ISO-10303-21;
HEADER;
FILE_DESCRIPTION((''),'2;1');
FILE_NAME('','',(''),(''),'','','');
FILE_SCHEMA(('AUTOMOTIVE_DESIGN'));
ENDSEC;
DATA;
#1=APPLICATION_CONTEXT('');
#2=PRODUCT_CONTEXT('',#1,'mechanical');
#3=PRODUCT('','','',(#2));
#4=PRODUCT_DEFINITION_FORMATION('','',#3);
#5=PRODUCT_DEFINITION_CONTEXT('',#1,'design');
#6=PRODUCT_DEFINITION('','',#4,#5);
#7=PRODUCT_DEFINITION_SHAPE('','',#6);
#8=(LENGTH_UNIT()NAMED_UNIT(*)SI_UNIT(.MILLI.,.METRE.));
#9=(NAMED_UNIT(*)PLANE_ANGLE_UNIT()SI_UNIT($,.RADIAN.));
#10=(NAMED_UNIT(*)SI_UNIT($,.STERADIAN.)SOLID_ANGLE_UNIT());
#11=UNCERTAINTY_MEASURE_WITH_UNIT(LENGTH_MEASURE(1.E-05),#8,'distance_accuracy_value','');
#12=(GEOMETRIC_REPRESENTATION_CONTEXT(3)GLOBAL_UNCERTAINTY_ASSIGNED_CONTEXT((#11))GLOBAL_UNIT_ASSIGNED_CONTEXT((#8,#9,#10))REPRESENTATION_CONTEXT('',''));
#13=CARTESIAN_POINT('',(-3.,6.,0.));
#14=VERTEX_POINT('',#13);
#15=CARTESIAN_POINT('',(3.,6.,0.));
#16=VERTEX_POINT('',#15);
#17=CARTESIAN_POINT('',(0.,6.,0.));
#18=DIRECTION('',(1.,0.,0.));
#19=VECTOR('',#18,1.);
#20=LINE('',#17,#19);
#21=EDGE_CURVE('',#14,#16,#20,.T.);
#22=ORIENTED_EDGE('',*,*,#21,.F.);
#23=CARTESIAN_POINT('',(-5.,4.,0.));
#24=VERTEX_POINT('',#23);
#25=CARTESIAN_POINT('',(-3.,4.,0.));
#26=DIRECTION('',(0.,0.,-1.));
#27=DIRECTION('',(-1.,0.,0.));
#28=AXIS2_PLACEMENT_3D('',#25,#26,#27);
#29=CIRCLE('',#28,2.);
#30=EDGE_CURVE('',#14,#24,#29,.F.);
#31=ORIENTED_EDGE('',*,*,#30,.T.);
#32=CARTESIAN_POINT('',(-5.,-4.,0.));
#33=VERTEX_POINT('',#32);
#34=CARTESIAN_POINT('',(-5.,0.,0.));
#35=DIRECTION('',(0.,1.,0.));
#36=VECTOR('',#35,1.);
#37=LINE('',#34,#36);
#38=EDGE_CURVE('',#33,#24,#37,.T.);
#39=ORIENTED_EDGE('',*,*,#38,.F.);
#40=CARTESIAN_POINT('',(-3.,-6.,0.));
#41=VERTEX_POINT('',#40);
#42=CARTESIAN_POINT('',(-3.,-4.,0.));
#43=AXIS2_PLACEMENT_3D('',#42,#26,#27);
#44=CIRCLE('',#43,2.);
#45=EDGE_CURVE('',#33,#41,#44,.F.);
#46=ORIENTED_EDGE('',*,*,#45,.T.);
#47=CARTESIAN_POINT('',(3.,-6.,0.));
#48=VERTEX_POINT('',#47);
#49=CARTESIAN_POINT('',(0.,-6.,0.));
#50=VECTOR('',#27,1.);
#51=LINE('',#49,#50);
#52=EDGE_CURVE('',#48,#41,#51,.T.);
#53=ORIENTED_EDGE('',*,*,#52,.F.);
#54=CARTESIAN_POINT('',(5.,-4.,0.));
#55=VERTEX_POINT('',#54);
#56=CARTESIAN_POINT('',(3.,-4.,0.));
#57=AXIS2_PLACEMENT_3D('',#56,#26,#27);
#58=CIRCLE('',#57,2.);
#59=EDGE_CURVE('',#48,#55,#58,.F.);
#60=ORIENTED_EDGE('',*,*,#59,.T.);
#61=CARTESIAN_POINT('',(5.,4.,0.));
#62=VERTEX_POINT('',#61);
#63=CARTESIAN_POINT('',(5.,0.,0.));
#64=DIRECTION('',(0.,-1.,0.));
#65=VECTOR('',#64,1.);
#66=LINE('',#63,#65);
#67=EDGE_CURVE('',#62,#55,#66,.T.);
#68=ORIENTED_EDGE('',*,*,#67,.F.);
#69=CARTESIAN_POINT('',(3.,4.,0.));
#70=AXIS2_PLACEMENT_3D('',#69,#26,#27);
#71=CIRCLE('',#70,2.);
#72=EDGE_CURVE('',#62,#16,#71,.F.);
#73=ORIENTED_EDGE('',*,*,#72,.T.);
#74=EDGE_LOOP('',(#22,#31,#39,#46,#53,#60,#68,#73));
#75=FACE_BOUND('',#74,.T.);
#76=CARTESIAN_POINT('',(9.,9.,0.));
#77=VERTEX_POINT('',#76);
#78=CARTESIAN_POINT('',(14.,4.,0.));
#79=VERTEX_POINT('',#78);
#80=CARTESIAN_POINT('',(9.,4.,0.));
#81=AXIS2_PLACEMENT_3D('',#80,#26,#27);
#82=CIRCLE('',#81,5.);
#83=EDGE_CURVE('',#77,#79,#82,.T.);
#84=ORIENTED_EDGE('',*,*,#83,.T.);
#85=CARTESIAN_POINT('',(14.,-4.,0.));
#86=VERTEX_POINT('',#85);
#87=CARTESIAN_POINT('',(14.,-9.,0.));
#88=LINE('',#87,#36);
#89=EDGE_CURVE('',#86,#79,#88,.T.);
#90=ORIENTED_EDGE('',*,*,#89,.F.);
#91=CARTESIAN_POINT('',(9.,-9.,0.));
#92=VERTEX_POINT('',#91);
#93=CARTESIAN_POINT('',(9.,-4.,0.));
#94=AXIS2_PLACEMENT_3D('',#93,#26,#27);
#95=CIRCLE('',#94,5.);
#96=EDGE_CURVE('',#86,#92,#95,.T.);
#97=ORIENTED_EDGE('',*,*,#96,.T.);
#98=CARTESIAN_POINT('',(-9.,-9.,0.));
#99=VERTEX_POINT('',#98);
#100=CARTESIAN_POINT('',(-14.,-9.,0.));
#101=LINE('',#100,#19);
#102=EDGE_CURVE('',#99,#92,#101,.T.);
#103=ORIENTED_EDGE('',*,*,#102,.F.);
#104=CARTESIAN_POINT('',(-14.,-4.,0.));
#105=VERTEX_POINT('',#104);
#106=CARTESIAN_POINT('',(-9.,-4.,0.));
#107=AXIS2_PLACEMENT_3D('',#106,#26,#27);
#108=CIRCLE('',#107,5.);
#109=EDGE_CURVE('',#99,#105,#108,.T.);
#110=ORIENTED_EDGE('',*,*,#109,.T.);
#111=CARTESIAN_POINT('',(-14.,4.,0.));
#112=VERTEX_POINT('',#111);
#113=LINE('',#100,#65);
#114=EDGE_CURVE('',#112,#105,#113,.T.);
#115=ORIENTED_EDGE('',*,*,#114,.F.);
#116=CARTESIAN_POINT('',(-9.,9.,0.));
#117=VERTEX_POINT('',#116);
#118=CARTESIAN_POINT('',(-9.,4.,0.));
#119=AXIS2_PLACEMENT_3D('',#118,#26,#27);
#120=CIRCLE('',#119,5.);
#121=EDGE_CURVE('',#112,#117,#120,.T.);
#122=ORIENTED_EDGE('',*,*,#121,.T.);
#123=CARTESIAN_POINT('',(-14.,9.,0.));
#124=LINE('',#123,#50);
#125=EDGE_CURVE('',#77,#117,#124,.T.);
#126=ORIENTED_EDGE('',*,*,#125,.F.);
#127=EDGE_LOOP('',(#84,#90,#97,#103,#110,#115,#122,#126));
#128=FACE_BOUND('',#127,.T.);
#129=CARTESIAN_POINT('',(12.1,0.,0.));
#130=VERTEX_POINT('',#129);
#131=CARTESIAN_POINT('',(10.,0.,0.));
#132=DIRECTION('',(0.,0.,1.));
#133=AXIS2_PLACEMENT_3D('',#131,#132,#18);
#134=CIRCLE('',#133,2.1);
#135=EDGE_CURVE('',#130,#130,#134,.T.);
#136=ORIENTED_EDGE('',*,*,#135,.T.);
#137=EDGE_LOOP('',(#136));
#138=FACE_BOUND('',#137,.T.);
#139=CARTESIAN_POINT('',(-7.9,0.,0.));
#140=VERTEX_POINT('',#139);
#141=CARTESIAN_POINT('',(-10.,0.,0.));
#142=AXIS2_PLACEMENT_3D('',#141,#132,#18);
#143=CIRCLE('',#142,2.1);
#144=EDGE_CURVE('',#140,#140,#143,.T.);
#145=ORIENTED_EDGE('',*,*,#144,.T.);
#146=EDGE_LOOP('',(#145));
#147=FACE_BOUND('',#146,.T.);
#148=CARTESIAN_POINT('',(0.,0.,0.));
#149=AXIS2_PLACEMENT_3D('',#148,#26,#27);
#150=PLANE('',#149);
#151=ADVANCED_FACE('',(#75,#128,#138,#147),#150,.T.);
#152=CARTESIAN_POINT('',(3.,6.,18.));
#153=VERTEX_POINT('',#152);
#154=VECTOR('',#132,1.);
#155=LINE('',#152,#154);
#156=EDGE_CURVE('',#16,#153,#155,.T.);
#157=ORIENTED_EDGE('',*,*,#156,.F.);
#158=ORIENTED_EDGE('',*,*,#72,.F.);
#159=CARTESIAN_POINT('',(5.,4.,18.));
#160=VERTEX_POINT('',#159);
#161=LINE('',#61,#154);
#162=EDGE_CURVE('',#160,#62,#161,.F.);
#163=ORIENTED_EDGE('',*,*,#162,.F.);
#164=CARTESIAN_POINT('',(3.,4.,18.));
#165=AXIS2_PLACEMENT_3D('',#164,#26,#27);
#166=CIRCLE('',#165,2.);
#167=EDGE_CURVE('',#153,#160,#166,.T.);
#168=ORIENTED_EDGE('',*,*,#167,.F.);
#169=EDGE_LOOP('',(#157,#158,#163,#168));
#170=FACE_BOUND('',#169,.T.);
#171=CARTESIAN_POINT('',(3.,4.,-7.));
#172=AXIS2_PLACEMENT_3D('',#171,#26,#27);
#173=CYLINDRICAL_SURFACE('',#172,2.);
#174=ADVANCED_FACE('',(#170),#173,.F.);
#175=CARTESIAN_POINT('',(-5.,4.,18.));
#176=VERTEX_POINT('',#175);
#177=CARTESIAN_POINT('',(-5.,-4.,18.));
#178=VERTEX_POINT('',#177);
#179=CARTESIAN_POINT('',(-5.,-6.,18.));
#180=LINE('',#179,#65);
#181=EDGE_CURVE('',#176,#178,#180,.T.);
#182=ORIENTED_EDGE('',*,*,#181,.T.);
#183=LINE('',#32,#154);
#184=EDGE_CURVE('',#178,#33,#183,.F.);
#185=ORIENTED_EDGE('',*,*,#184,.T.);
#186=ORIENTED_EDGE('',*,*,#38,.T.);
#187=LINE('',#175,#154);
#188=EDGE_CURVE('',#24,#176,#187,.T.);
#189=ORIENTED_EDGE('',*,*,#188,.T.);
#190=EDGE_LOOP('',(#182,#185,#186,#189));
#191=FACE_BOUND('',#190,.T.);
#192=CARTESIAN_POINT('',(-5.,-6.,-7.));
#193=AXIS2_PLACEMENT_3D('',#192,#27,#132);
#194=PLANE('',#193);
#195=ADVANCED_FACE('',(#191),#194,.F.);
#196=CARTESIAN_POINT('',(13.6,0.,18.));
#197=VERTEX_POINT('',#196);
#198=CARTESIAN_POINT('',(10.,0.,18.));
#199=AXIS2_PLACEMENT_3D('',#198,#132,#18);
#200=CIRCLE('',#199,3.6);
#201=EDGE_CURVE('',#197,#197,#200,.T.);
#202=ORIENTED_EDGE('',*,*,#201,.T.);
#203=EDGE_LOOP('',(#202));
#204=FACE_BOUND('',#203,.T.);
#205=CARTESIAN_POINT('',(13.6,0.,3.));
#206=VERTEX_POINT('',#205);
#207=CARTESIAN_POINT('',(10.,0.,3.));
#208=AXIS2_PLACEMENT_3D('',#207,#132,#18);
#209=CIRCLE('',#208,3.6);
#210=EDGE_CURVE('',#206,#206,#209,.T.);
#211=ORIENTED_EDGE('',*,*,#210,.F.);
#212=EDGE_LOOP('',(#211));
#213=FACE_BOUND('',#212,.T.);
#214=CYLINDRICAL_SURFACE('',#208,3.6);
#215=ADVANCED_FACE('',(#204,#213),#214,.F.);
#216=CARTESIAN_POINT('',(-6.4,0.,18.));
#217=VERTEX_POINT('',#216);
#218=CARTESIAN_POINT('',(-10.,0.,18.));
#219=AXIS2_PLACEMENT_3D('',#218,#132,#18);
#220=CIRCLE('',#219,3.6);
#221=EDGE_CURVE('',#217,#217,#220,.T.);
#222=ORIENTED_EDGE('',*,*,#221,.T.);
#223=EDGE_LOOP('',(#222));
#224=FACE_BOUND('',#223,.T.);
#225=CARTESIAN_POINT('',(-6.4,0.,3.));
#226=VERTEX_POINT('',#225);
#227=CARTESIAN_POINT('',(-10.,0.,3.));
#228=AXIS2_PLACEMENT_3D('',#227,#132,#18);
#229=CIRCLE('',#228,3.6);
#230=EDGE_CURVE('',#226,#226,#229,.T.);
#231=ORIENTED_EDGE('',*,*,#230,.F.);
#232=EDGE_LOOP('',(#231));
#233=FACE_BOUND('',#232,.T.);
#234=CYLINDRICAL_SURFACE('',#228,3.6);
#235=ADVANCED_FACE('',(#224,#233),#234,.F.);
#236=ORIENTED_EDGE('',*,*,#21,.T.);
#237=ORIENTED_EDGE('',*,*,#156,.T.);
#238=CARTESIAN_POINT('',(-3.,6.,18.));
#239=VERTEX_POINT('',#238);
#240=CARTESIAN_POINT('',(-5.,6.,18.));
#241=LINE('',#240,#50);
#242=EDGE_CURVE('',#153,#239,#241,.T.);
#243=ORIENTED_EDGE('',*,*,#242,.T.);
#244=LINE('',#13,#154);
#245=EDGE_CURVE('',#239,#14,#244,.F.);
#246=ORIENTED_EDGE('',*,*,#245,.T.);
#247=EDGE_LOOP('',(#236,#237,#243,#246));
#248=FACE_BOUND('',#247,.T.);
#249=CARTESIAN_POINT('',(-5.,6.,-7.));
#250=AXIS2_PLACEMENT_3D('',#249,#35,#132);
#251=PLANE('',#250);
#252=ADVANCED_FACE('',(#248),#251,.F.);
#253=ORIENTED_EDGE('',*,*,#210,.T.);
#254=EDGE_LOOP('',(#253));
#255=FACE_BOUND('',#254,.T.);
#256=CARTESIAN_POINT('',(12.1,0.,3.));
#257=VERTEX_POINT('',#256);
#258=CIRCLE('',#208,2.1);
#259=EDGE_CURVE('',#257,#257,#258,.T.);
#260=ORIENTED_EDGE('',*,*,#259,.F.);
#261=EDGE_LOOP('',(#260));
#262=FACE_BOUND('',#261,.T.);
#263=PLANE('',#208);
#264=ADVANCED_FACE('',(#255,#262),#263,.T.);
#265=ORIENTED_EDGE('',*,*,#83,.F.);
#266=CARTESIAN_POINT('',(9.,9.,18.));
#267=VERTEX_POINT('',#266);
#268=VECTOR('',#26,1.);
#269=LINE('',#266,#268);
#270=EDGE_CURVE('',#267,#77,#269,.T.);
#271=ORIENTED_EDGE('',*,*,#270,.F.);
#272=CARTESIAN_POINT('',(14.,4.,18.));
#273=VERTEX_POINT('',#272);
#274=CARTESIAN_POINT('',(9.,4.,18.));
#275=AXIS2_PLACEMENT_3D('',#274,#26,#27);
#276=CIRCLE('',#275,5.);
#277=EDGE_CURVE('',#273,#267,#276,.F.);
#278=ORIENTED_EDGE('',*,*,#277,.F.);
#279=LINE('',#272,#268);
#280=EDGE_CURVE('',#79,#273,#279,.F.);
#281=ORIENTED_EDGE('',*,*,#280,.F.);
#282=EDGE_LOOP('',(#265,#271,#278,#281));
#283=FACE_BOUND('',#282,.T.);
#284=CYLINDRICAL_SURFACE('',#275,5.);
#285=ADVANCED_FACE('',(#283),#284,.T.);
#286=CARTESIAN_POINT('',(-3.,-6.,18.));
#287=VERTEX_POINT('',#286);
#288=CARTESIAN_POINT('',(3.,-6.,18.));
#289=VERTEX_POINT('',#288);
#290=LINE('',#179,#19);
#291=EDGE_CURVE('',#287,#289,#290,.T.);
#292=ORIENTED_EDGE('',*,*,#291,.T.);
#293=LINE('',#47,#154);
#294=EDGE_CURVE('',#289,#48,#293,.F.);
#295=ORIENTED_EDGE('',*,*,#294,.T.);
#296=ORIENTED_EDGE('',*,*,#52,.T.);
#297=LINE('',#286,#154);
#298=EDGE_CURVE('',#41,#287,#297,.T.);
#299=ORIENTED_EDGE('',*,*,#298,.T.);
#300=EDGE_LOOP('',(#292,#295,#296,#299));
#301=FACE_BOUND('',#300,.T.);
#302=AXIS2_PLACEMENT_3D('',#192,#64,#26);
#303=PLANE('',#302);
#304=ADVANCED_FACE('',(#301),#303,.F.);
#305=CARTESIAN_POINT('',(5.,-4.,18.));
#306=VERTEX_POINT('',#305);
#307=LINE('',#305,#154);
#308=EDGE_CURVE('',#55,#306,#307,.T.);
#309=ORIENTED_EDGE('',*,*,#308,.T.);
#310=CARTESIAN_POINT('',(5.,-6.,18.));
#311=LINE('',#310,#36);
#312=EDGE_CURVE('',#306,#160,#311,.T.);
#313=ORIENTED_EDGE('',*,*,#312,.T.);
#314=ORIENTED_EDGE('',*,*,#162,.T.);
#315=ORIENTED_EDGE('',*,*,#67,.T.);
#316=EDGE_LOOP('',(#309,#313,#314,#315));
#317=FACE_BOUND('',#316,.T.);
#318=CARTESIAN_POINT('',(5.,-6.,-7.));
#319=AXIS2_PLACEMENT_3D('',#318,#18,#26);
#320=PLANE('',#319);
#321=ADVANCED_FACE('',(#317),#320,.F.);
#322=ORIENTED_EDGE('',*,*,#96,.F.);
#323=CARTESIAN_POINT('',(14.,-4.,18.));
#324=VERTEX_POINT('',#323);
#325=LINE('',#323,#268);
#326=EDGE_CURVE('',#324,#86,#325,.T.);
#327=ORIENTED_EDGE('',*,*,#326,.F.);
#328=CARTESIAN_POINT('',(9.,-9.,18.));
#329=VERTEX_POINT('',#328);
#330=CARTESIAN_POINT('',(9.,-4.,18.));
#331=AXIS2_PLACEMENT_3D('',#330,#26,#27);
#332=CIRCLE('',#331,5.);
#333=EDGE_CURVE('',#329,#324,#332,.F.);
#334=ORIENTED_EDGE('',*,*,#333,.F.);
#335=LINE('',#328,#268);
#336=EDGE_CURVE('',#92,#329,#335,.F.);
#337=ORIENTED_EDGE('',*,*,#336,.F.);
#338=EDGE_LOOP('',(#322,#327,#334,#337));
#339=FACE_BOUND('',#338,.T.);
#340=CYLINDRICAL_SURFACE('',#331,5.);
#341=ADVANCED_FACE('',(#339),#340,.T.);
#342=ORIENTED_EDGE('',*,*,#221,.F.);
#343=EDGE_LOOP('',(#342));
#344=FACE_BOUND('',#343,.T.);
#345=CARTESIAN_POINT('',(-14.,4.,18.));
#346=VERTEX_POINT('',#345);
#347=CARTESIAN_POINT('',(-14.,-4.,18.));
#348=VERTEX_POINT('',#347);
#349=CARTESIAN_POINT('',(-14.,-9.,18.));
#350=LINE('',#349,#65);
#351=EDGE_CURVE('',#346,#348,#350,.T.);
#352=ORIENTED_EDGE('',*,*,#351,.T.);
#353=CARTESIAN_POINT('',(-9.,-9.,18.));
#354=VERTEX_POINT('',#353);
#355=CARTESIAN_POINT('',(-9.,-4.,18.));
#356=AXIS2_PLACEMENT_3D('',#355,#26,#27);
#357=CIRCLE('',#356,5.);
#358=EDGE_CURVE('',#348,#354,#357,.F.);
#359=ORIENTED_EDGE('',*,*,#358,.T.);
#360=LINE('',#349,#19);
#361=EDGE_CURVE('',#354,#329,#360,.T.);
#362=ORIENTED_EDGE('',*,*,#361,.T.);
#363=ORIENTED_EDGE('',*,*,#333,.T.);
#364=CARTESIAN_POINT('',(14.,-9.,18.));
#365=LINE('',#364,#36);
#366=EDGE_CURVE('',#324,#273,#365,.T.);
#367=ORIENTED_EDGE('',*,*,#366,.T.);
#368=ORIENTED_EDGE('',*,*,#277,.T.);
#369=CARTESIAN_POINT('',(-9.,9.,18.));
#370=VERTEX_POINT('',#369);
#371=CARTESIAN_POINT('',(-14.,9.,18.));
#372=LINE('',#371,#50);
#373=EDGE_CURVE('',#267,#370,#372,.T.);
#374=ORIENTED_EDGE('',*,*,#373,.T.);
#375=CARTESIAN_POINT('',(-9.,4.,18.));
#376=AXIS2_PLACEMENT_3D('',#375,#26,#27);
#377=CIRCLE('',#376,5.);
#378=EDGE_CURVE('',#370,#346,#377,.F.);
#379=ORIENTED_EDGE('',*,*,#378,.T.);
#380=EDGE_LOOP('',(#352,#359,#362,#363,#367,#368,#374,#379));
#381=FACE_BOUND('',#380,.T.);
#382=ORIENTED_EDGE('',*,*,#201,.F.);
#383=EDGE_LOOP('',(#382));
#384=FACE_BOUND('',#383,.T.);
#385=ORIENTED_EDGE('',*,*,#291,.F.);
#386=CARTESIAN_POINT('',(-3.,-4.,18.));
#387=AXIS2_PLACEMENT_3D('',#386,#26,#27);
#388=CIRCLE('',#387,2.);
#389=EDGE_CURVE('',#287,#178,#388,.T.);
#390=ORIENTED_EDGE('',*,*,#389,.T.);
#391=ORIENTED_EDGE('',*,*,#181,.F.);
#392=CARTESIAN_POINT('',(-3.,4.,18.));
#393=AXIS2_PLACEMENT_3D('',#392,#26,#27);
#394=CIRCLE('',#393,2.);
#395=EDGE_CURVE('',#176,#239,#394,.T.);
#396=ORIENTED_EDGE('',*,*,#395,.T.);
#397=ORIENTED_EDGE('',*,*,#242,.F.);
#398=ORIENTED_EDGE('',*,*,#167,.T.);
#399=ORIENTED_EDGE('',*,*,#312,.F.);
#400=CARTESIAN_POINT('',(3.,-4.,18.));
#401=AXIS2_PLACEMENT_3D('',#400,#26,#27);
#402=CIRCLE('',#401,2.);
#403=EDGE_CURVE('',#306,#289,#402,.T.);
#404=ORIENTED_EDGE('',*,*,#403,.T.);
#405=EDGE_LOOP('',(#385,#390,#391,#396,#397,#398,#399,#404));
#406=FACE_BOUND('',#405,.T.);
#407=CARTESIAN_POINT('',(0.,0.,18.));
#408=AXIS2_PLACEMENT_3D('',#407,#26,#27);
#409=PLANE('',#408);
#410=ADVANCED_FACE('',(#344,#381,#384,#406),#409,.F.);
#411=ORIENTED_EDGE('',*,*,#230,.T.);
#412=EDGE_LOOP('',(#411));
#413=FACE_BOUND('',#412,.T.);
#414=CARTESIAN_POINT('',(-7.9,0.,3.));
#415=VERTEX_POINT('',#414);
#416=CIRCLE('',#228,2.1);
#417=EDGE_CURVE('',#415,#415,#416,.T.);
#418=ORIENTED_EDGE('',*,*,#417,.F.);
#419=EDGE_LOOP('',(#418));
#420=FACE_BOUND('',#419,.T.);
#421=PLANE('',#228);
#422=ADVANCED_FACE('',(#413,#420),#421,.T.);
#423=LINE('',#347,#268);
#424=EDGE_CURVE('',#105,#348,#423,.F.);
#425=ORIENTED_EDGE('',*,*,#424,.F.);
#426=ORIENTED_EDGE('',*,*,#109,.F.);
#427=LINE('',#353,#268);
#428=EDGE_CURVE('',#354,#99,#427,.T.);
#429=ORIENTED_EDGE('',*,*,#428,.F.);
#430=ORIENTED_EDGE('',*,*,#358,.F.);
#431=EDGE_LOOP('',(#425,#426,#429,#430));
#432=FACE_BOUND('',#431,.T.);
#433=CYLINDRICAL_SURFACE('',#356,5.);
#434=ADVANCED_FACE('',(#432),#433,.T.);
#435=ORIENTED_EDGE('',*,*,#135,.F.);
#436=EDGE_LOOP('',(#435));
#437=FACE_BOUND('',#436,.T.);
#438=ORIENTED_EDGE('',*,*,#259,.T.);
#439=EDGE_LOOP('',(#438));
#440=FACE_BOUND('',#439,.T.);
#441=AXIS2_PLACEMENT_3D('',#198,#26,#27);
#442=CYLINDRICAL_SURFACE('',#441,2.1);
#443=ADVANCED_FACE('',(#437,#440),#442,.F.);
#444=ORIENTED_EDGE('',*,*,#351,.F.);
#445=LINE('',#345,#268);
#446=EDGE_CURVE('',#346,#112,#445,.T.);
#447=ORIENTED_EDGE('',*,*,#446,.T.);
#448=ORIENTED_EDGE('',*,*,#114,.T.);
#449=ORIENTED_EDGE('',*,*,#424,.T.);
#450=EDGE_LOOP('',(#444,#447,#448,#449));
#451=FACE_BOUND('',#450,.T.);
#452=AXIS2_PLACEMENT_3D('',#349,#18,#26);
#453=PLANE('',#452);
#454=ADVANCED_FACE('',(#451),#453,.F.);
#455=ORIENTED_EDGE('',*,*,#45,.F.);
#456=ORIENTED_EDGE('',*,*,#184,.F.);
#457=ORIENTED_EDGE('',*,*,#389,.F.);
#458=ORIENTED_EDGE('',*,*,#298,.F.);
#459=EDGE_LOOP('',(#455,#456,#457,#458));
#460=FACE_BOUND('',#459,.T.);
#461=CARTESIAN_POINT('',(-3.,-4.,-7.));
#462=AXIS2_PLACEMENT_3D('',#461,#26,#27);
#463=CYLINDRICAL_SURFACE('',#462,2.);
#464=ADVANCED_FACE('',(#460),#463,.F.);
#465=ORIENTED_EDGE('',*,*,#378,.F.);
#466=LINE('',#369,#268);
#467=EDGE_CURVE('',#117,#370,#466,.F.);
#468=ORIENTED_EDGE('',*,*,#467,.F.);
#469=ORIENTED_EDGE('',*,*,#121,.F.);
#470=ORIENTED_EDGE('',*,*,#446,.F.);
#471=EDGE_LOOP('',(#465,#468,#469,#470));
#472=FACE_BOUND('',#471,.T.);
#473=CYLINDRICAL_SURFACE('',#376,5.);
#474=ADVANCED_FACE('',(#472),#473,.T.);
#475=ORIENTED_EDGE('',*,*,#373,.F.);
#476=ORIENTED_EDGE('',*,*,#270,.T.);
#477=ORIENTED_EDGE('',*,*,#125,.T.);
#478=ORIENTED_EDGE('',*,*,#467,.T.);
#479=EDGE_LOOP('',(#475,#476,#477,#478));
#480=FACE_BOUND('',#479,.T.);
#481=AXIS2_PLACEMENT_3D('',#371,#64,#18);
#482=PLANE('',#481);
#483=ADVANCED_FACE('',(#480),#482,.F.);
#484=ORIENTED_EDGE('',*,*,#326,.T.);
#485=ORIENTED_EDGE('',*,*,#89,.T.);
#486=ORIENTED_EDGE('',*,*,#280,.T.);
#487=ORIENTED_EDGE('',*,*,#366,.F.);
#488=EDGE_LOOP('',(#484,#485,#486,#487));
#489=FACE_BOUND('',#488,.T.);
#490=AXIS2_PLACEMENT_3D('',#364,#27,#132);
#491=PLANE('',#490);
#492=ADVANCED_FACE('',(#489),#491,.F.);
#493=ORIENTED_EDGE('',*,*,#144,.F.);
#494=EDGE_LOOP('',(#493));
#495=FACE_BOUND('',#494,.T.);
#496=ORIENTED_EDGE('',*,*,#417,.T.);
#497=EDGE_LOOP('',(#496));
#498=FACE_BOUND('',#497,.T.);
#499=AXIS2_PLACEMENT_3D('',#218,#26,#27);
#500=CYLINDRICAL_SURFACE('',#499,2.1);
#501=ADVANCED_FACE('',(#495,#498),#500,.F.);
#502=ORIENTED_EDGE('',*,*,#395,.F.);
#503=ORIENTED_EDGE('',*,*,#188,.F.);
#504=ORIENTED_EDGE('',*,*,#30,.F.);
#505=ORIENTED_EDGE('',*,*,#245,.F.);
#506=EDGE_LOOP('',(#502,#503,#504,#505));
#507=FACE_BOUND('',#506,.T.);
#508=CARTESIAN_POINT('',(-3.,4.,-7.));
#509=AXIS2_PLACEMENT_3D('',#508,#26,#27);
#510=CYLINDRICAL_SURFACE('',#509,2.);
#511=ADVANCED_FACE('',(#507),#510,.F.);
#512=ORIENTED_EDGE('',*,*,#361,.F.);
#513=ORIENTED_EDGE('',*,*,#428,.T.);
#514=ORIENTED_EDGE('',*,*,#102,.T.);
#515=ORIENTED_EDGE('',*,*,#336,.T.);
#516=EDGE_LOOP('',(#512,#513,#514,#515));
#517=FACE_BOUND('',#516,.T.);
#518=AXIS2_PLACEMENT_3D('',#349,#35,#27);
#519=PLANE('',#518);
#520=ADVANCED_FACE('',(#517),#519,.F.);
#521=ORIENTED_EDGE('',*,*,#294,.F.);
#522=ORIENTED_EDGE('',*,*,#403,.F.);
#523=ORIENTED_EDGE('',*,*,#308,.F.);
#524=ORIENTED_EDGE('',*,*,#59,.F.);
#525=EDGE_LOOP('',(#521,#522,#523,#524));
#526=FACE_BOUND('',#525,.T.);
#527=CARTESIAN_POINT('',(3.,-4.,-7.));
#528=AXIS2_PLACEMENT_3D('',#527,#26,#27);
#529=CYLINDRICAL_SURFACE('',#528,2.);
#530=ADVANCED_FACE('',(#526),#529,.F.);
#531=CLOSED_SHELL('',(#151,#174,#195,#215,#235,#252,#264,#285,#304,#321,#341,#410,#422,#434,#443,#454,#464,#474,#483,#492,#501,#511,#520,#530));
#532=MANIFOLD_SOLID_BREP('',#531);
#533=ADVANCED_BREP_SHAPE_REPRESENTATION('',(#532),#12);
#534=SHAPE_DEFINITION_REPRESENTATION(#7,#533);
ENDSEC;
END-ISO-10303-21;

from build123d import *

# Parameters (mm, degrees)
SKETCH_1_W          = 28
SKETCH_1_H          = 18
SKETCH_1_R          = 2.1
EXTRUDE_1_DEPTH     = 18
SKETCH_2_R          = 3.6
CUT_EXTRUDE_1_DEPTH = 15
SKETCH_3_W          = 10
SKETCH_3_H          = 12
CUT_EXTRUDE_2_DEPTH = 25
FILLET_1_R          = 2
FILLET_2_R          = 5


with BuildPart() as part:
    # 草图1 → 凸台-拉伸1 (new body)
    with BuildSketch(Plane.XY):
        Rectangle(SKETCH_1_W, SKETCH_1_H)
        with Locations((-10, 0)):
            Circle(SKETCH_1_R, mode=Mode.SUBTRACT)
        with Locations((10, 0)):
            Circle(SKETCH_1_R, mode=Mode.SUBTRACT)
    extrude(amount=EXTRUDE_1_DEPTH)

    # 草图2 → 切除-拉伸1 (cut)
    with BuildSketch(Plane.XY.offset(18)):
        with Locations((-10, 0)):
            Circle(SKETCH_2_R)
        with Locations((10, 0)):
            Circle(SKETCH_2_R)
    extrude(amount=-CUT_EXTRUDE_1_DEPTH, mode=Mode.SUBTRACT)

    # 草图3 → 切除-拉伸2 (cut)
    with BuildSketch(Plane.XY.offset(18)):
        Rectangle(SKETCH_3_W, SKETCH_3_H)
    extrude(amount=-CUT_EXTRUDE_2_DEPTH, mode=Mode.SUBTRACT)

    # 圆角1
    fillet_1_edges = [part.edges().sort_by_distance(p)[0] for p in [
        (5, 6, 9),
        (5, -6, 9),
        (-5, -6, 9),
        (-5, 6, 9),
    ]]
    fillet(fillet_1_edges, radius=FILLET_1_R)

    # 圆角2
    fillet_2_edges = [part.edges().sort_by_distance(p)[0] for p in [
        (14, -9, 9),
        (-14, -9, 9),
        (-14, 9, 9),
        (14, 9, 9),
    ]]
    fillet(fillet_2_edges, radius=FILLET_2_R)


solid = part.part
